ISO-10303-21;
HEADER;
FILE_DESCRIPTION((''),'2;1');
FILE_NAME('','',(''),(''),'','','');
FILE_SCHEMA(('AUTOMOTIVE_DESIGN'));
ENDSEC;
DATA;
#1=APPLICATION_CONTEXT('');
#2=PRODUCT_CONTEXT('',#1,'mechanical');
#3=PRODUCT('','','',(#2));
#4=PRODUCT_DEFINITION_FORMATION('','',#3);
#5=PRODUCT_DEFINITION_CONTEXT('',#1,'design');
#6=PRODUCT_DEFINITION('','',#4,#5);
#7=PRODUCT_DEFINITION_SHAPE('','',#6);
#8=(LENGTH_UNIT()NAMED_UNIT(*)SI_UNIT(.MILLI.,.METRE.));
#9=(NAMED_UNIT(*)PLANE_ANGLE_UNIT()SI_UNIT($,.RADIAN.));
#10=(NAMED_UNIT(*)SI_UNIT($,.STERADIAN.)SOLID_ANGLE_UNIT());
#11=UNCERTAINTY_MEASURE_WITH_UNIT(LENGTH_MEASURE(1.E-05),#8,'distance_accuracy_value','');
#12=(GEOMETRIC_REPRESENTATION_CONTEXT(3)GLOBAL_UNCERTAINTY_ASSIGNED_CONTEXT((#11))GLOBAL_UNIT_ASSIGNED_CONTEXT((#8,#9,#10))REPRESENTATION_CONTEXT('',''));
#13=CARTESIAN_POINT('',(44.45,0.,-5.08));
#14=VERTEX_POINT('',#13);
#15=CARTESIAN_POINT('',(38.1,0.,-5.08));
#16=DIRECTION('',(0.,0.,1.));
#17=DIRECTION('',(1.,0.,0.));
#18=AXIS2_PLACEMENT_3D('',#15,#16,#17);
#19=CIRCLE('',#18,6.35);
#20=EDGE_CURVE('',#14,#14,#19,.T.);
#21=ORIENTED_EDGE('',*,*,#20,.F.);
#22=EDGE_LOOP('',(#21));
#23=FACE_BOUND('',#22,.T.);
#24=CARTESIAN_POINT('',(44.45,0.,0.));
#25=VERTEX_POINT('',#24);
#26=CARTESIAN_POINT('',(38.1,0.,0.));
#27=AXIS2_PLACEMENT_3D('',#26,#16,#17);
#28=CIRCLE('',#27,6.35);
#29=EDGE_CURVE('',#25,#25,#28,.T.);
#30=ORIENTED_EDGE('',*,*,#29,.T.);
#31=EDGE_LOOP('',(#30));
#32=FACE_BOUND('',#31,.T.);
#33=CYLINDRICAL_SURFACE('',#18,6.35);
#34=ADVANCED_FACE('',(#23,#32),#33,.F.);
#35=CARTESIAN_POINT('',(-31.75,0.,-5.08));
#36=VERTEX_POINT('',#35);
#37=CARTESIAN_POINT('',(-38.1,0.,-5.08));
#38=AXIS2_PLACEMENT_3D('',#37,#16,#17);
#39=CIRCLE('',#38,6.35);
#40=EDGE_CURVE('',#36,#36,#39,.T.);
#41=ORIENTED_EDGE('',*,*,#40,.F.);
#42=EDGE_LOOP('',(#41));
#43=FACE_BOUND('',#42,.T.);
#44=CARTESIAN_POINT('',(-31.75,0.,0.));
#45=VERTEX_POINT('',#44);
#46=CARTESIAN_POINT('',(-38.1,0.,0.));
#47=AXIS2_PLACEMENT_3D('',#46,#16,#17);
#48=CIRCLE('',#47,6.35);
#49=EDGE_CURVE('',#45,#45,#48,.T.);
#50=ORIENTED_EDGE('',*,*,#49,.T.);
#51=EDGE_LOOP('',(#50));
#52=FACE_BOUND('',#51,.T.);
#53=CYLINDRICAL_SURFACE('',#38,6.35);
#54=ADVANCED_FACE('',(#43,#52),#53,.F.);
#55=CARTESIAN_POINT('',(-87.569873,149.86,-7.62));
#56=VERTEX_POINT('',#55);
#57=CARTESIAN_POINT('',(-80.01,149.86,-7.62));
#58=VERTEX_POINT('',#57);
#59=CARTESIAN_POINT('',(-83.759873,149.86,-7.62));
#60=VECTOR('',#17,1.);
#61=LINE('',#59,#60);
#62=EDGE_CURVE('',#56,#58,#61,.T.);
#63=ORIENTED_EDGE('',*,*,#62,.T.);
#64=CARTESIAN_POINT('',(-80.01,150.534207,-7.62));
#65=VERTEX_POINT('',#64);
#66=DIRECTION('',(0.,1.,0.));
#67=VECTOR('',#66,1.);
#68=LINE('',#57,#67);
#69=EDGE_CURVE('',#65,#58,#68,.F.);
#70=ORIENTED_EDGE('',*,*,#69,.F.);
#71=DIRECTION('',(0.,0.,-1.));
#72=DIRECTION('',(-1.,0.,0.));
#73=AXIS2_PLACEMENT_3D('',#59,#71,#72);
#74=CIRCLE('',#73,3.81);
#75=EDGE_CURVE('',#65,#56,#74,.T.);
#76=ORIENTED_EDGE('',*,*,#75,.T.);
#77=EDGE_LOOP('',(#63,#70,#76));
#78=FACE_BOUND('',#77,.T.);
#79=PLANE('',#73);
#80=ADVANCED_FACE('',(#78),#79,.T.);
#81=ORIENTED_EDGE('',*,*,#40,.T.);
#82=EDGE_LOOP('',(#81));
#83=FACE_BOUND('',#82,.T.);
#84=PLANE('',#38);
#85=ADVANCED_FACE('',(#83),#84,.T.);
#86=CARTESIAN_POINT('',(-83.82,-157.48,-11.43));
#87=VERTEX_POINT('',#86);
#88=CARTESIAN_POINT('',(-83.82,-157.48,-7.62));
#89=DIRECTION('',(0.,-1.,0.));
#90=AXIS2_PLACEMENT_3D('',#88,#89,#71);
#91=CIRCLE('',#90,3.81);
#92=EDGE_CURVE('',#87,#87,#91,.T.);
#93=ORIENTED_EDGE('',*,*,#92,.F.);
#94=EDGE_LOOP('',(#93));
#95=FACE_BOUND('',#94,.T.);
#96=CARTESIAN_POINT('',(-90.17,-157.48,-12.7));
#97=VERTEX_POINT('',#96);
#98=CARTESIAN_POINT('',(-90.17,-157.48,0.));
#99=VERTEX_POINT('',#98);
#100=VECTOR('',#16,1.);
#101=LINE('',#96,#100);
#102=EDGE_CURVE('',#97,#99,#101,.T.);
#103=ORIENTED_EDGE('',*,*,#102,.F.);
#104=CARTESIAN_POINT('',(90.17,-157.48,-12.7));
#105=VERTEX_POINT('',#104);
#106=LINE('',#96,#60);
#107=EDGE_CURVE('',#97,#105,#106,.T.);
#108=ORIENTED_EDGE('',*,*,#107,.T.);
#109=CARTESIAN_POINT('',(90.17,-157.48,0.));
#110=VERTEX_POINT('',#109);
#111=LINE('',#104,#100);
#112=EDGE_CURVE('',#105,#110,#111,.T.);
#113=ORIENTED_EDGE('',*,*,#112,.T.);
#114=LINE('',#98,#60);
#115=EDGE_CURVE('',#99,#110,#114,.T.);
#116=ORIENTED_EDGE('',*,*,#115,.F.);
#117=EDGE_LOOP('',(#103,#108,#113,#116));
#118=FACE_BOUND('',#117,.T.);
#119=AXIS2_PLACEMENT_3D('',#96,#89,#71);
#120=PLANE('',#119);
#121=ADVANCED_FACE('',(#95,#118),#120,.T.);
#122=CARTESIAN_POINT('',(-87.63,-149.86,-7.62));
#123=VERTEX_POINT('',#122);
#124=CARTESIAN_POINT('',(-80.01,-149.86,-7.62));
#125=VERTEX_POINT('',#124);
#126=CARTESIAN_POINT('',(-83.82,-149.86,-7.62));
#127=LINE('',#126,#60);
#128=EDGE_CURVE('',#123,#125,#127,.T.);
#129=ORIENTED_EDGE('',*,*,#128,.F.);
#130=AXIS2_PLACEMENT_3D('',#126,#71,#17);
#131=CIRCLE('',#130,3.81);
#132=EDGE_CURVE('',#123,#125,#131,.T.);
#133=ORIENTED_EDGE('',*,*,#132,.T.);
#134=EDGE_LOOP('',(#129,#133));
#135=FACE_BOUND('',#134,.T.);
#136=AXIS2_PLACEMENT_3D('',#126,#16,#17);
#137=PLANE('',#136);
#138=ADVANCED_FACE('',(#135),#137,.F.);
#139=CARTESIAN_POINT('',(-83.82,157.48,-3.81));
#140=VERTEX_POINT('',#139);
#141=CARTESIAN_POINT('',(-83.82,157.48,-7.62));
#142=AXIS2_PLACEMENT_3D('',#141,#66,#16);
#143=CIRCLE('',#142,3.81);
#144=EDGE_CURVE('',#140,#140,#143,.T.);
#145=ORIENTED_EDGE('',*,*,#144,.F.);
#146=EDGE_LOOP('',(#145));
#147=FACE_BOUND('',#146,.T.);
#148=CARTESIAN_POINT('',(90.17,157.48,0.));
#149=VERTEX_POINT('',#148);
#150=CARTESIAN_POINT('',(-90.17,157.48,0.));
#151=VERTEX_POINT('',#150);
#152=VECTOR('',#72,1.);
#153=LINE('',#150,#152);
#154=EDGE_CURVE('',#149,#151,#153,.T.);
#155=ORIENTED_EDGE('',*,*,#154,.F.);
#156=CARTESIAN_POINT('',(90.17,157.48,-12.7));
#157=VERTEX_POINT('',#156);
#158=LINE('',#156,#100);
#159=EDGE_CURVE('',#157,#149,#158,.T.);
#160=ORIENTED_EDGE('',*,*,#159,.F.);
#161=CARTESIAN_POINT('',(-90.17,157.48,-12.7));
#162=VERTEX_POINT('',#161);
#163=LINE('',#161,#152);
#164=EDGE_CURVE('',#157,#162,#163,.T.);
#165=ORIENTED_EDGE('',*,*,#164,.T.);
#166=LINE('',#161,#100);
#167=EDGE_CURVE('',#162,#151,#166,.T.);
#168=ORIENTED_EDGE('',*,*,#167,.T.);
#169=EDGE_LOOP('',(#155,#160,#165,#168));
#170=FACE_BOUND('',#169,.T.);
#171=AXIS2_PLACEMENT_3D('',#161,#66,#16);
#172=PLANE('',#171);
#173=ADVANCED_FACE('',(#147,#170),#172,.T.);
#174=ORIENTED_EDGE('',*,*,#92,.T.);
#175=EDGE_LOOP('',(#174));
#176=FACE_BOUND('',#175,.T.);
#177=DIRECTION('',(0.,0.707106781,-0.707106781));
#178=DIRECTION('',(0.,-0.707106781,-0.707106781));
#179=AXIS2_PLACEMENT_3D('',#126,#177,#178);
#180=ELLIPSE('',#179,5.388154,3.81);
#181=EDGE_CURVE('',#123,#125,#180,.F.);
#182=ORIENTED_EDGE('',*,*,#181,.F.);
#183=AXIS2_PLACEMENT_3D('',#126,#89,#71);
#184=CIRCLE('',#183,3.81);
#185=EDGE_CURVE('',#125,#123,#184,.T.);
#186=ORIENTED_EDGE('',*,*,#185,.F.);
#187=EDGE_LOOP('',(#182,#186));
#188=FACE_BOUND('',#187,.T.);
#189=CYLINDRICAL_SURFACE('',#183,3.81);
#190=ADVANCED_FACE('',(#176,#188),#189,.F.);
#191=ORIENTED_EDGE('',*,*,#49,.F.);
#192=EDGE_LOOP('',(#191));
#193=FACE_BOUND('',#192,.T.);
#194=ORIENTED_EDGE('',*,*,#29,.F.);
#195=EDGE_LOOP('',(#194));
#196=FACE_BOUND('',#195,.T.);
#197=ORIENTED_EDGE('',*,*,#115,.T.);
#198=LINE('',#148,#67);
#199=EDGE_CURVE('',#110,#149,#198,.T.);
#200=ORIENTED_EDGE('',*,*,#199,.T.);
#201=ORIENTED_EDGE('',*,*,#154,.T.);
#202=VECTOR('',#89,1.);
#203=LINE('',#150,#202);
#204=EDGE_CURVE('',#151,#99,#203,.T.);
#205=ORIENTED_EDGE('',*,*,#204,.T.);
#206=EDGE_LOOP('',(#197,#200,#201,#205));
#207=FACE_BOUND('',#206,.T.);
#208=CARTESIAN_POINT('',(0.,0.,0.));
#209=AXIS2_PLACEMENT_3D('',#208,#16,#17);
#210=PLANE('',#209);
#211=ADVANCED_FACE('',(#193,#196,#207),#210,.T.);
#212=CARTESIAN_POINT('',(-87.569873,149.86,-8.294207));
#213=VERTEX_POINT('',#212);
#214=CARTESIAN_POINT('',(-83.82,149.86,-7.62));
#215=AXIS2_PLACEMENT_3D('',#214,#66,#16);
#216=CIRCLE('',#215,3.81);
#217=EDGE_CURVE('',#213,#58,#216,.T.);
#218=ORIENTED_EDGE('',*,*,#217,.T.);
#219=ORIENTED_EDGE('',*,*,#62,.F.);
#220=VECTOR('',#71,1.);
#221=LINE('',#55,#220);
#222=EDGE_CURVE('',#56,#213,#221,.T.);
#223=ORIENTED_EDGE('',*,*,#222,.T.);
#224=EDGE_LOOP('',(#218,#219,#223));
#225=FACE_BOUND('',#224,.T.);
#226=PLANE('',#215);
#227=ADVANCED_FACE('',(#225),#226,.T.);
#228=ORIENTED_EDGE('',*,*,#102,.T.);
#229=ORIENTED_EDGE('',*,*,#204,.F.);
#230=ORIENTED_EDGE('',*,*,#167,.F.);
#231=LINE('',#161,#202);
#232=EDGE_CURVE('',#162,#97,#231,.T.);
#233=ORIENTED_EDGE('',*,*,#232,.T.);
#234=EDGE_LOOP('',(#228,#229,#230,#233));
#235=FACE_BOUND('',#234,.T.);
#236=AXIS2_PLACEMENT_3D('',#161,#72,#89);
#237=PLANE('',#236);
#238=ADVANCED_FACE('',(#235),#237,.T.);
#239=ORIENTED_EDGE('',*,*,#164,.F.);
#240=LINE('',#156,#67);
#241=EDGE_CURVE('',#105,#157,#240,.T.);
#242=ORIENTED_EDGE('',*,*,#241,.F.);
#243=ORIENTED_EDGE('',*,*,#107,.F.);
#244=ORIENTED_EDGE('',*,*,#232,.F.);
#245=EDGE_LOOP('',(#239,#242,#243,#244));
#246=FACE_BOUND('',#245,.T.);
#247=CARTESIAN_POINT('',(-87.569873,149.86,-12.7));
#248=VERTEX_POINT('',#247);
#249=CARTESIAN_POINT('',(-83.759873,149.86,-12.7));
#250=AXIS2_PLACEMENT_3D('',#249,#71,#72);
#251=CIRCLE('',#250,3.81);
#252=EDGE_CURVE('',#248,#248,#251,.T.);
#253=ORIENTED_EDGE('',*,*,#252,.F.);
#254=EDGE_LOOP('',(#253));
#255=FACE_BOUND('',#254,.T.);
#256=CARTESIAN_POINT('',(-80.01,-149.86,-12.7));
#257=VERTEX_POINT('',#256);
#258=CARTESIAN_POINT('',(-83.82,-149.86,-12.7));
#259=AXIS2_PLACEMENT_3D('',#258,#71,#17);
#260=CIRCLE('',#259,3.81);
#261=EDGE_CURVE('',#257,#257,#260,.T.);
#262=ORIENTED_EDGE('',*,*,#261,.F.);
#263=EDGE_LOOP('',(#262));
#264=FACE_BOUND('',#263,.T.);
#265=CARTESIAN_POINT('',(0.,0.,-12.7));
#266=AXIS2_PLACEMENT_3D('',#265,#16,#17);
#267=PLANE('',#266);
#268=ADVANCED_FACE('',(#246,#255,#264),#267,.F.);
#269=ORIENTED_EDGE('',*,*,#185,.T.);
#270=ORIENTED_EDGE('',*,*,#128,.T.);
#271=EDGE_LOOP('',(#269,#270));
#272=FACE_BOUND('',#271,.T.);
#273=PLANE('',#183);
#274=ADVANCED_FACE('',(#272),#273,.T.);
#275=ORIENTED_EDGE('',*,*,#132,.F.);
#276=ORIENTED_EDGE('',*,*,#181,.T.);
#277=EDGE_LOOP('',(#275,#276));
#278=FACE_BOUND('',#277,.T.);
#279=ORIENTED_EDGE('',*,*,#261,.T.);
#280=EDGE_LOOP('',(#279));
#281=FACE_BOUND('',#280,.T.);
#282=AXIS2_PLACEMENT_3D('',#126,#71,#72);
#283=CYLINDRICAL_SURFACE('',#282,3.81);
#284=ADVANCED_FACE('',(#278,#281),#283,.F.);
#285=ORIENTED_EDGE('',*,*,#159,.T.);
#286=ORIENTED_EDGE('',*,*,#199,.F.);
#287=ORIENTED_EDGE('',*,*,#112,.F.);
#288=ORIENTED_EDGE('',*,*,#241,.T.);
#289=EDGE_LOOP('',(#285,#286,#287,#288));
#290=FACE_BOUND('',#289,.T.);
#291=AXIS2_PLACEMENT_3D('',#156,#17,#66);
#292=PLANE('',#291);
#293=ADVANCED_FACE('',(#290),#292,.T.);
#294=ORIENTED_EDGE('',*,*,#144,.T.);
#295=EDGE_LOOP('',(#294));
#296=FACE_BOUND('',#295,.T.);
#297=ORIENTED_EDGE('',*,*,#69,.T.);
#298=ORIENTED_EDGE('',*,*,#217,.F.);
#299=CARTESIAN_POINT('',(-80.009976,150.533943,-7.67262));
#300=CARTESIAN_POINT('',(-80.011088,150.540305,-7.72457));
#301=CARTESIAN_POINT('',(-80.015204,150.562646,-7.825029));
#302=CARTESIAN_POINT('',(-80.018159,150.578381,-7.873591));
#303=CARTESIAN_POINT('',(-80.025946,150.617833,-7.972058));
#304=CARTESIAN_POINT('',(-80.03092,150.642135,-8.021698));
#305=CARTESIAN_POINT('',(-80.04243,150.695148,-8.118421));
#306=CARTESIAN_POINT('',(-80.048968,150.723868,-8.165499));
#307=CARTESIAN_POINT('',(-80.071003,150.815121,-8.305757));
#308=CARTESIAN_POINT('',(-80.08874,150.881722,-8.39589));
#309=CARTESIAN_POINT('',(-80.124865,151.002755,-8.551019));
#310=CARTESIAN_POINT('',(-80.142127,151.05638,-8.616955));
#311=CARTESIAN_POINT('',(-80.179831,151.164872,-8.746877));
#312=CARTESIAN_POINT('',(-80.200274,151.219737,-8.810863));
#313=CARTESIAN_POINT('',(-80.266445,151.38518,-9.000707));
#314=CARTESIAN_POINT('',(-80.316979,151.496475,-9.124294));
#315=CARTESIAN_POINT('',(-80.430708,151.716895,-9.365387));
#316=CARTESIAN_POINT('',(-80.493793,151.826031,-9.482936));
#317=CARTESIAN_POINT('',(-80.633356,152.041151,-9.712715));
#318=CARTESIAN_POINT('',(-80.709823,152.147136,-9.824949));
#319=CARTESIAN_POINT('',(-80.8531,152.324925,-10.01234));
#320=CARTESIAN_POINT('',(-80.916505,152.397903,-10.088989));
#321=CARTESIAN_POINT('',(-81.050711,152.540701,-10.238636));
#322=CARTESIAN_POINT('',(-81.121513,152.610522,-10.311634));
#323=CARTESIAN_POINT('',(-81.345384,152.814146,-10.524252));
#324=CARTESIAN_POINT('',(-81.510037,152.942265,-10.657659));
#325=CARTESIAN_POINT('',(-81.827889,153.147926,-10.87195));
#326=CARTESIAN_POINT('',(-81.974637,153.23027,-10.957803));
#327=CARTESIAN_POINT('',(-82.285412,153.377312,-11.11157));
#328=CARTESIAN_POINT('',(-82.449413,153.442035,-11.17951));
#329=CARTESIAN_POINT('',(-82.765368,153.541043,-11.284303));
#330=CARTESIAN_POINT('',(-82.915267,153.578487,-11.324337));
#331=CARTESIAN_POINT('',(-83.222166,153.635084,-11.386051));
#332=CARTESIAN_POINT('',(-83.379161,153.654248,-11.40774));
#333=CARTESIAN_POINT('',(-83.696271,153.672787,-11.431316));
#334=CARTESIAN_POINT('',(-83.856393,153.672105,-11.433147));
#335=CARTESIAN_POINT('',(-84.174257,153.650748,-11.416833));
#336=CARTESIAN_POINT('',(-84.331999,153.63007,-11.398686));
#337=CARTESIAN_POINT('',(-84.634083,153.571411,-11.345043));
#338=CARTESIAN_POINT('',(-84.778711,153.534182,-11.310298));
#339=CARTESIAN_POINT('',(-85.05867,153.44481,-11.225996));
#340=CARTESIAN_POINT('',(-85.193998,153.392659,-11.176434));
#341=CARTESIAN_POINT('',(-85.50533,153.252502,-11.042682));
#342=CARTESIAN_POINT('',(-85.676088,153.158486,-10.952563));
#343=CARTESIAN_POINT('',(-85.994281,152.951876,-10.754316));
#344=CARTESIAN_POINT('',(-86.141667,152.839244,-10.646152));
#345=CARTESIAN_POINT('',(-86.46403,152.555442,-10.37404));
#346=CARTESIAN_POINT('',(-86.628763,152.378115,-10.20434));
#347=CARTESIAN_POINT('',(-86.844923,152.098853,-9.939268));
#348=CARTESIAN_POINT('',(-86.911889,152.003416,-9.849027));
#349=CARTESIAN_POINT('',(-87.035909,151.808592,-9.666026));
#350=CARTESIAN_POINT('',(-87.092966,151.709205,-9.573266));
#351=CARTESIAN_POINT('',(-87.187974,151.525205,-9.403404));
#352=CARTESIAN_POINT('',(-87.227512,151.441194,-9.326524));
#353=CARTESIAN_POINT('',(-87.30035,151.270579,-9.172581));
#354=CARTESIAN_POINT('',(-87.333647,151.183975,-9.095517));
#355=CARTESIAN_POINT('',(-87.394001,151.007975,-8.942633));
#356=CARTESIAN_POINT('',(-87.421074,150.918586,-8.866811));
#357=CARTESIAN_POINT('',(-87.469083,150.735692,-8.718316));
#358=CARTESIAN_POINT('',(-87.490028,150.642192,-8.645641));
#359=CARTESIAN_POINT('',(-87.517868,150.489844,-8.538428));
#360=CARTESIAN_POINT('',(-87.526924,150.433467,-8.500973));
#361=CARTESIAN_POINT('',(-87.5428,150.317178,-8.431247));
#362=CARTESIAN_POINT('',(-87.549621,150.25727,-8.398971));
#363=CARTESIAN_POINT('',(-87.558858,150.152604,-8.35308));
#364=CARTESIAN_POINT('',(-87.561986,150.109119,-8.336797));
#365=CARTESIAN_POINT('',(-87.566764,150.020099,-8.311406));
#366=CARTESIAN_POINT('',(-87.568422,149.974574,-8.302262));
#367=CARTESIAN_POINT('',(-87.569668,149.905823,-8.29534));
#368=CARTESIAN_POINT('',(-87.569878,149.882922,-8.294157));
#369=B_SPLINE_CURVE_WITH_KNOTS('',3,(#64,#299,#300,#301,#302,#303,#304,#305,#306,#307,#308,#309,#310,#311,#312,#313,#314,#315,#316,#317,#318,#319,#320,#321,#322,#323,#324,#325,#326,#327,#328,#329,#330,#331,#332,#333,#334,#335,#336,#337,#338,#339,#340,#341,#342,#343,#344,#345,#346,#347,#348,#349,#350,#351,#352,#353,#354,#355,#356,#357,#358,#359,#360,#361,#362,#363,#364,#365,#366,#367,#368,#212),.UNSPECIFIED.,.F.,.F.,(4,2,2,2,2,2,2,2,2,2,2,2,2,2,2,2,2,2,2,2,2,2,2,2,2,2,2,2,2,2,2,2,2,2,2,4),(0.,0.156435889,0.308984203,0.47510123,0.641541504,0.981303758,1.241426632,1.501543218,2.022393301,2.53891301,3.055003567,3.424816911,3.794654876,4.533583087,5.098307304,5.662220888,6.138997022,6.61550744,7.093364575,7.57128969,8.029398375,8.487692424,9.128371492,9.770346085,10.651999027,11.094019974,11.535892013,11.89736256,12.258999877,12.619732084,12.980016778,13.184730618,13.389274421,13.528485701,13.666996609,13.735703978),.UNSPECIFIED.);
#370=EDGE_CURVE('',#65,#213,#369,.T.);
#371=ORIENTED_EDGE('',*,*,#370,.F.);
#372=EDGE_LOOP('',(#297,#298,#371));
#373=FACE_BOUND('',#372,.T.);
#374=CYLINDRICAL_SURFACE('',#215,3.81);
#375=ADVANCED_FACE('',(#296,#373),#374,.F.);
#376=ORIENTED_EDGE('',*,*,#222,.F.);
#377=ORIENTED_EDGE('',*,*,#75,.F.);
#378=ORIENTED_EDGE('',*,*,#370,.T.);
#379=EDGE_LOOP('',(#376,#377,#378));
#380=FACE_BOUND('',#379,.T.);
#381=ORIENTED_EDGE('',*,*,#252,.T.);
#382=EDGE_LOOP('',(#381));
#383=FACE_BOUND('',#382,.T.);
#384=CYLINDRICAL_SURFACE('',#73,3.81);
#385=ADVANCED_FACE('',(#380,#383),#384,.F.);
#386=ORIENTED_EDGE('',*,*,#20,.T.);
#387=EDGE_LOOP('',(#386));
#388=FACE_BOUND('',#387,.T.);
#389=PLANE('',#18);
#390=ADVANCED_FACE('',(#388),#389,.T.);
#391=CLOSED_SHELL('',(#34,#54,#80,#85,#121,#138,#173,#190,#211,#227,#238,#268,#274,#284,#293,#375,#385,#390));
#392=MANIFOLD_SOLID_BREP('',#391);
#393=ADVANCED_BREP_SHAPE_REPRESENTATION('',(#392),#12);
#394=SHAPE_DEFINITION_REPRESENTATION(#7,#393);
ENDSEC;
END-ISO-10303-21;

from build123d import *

# Parameters (mm, degrees)
SKETCH1_W           = 180.34
SKETCH1_H           = 314.96
BOSS_EXTRUDE1_DEPTH = 12.7
SKETCH4_R           = 6.35
CUT_EXTRUDE2_DEPTH  = 5.08
SKETCH6_R           = 3.81
CUT_EXTRUDE3_DEPTH  = 5.08
SKETCH7_R           = 3.81
CUT_EXTRUDE4_DEPTH  = 7.62
SKETCH8_R           = 3.81
CUT_EXTRUDE5_DEPTH  = 7.62


with BuildPart() as part:
    # Sketch1 → Boss-Extrude1 (new body)
    with BuildSketch(Plane.XY):
        Rectangle(SKETCH1_W, SKETCH1_H)
    extrude(amount=-BOSS_EXTRUDE1_DEPTH)

    # Sketch4 → Cut-Extrude2 (cut)
    with BuildSketch(Plane.XY):
        with Locations((-38.1, 0)):
            Circle(SKETCH4_R)
        with Locations((38.1, 0)):
            Circle(SKETCH4_R)
    extrude(amount=-CUT_EXTRUDE2_DEPTH, mode=Mode.SUBTRACT)

    # Sketch6 → Cut-Extrude3 (cut)
    with BuildSketch(Plane(origin=(0, 0, -12.7), x_dir=(-1, 0, 0), z_dir=(0, 0, -1))):
        with Locations((83.759872632, 149.86)):
            Circle(SKETCH6_R)
        with Locations((83.82, -149.86)):
            Circle(SKETCH6_R)
    extrude(amount=-CUT_EXTRUDE3_DEPTH, mode=Mode.SUBTRACT)

    # Sketch7 → Cut-Extrude4 (cut)
    with BuildSketch(Plane(origin=(0, 157.48, 0), x_dir=(1, 0, 0), z_dir=(0, 1, 0))):
        with Locations((-83.82, 7.62)):
            Circle(SKETCH7_R)
    extrude(amount=-CUT_EXTRUDE4_DEPTH, mode=Mode.SUBTRACT)

    # Sketch8 → Cut-Extrude5 (cut)
    with BuildSketch(Plane(origin=(0, -157.48, 0), x_dir=(-1, 0, 0), z_dir=(0, -1, 0))):
        with Locations((83.82, 7.62)):
            Circle(SKETCH8_R)
    extrude(amount=-CUT_EXTRUDE5_DEPTH, mode=Mode.SUBTRACT)


solid = part.part
